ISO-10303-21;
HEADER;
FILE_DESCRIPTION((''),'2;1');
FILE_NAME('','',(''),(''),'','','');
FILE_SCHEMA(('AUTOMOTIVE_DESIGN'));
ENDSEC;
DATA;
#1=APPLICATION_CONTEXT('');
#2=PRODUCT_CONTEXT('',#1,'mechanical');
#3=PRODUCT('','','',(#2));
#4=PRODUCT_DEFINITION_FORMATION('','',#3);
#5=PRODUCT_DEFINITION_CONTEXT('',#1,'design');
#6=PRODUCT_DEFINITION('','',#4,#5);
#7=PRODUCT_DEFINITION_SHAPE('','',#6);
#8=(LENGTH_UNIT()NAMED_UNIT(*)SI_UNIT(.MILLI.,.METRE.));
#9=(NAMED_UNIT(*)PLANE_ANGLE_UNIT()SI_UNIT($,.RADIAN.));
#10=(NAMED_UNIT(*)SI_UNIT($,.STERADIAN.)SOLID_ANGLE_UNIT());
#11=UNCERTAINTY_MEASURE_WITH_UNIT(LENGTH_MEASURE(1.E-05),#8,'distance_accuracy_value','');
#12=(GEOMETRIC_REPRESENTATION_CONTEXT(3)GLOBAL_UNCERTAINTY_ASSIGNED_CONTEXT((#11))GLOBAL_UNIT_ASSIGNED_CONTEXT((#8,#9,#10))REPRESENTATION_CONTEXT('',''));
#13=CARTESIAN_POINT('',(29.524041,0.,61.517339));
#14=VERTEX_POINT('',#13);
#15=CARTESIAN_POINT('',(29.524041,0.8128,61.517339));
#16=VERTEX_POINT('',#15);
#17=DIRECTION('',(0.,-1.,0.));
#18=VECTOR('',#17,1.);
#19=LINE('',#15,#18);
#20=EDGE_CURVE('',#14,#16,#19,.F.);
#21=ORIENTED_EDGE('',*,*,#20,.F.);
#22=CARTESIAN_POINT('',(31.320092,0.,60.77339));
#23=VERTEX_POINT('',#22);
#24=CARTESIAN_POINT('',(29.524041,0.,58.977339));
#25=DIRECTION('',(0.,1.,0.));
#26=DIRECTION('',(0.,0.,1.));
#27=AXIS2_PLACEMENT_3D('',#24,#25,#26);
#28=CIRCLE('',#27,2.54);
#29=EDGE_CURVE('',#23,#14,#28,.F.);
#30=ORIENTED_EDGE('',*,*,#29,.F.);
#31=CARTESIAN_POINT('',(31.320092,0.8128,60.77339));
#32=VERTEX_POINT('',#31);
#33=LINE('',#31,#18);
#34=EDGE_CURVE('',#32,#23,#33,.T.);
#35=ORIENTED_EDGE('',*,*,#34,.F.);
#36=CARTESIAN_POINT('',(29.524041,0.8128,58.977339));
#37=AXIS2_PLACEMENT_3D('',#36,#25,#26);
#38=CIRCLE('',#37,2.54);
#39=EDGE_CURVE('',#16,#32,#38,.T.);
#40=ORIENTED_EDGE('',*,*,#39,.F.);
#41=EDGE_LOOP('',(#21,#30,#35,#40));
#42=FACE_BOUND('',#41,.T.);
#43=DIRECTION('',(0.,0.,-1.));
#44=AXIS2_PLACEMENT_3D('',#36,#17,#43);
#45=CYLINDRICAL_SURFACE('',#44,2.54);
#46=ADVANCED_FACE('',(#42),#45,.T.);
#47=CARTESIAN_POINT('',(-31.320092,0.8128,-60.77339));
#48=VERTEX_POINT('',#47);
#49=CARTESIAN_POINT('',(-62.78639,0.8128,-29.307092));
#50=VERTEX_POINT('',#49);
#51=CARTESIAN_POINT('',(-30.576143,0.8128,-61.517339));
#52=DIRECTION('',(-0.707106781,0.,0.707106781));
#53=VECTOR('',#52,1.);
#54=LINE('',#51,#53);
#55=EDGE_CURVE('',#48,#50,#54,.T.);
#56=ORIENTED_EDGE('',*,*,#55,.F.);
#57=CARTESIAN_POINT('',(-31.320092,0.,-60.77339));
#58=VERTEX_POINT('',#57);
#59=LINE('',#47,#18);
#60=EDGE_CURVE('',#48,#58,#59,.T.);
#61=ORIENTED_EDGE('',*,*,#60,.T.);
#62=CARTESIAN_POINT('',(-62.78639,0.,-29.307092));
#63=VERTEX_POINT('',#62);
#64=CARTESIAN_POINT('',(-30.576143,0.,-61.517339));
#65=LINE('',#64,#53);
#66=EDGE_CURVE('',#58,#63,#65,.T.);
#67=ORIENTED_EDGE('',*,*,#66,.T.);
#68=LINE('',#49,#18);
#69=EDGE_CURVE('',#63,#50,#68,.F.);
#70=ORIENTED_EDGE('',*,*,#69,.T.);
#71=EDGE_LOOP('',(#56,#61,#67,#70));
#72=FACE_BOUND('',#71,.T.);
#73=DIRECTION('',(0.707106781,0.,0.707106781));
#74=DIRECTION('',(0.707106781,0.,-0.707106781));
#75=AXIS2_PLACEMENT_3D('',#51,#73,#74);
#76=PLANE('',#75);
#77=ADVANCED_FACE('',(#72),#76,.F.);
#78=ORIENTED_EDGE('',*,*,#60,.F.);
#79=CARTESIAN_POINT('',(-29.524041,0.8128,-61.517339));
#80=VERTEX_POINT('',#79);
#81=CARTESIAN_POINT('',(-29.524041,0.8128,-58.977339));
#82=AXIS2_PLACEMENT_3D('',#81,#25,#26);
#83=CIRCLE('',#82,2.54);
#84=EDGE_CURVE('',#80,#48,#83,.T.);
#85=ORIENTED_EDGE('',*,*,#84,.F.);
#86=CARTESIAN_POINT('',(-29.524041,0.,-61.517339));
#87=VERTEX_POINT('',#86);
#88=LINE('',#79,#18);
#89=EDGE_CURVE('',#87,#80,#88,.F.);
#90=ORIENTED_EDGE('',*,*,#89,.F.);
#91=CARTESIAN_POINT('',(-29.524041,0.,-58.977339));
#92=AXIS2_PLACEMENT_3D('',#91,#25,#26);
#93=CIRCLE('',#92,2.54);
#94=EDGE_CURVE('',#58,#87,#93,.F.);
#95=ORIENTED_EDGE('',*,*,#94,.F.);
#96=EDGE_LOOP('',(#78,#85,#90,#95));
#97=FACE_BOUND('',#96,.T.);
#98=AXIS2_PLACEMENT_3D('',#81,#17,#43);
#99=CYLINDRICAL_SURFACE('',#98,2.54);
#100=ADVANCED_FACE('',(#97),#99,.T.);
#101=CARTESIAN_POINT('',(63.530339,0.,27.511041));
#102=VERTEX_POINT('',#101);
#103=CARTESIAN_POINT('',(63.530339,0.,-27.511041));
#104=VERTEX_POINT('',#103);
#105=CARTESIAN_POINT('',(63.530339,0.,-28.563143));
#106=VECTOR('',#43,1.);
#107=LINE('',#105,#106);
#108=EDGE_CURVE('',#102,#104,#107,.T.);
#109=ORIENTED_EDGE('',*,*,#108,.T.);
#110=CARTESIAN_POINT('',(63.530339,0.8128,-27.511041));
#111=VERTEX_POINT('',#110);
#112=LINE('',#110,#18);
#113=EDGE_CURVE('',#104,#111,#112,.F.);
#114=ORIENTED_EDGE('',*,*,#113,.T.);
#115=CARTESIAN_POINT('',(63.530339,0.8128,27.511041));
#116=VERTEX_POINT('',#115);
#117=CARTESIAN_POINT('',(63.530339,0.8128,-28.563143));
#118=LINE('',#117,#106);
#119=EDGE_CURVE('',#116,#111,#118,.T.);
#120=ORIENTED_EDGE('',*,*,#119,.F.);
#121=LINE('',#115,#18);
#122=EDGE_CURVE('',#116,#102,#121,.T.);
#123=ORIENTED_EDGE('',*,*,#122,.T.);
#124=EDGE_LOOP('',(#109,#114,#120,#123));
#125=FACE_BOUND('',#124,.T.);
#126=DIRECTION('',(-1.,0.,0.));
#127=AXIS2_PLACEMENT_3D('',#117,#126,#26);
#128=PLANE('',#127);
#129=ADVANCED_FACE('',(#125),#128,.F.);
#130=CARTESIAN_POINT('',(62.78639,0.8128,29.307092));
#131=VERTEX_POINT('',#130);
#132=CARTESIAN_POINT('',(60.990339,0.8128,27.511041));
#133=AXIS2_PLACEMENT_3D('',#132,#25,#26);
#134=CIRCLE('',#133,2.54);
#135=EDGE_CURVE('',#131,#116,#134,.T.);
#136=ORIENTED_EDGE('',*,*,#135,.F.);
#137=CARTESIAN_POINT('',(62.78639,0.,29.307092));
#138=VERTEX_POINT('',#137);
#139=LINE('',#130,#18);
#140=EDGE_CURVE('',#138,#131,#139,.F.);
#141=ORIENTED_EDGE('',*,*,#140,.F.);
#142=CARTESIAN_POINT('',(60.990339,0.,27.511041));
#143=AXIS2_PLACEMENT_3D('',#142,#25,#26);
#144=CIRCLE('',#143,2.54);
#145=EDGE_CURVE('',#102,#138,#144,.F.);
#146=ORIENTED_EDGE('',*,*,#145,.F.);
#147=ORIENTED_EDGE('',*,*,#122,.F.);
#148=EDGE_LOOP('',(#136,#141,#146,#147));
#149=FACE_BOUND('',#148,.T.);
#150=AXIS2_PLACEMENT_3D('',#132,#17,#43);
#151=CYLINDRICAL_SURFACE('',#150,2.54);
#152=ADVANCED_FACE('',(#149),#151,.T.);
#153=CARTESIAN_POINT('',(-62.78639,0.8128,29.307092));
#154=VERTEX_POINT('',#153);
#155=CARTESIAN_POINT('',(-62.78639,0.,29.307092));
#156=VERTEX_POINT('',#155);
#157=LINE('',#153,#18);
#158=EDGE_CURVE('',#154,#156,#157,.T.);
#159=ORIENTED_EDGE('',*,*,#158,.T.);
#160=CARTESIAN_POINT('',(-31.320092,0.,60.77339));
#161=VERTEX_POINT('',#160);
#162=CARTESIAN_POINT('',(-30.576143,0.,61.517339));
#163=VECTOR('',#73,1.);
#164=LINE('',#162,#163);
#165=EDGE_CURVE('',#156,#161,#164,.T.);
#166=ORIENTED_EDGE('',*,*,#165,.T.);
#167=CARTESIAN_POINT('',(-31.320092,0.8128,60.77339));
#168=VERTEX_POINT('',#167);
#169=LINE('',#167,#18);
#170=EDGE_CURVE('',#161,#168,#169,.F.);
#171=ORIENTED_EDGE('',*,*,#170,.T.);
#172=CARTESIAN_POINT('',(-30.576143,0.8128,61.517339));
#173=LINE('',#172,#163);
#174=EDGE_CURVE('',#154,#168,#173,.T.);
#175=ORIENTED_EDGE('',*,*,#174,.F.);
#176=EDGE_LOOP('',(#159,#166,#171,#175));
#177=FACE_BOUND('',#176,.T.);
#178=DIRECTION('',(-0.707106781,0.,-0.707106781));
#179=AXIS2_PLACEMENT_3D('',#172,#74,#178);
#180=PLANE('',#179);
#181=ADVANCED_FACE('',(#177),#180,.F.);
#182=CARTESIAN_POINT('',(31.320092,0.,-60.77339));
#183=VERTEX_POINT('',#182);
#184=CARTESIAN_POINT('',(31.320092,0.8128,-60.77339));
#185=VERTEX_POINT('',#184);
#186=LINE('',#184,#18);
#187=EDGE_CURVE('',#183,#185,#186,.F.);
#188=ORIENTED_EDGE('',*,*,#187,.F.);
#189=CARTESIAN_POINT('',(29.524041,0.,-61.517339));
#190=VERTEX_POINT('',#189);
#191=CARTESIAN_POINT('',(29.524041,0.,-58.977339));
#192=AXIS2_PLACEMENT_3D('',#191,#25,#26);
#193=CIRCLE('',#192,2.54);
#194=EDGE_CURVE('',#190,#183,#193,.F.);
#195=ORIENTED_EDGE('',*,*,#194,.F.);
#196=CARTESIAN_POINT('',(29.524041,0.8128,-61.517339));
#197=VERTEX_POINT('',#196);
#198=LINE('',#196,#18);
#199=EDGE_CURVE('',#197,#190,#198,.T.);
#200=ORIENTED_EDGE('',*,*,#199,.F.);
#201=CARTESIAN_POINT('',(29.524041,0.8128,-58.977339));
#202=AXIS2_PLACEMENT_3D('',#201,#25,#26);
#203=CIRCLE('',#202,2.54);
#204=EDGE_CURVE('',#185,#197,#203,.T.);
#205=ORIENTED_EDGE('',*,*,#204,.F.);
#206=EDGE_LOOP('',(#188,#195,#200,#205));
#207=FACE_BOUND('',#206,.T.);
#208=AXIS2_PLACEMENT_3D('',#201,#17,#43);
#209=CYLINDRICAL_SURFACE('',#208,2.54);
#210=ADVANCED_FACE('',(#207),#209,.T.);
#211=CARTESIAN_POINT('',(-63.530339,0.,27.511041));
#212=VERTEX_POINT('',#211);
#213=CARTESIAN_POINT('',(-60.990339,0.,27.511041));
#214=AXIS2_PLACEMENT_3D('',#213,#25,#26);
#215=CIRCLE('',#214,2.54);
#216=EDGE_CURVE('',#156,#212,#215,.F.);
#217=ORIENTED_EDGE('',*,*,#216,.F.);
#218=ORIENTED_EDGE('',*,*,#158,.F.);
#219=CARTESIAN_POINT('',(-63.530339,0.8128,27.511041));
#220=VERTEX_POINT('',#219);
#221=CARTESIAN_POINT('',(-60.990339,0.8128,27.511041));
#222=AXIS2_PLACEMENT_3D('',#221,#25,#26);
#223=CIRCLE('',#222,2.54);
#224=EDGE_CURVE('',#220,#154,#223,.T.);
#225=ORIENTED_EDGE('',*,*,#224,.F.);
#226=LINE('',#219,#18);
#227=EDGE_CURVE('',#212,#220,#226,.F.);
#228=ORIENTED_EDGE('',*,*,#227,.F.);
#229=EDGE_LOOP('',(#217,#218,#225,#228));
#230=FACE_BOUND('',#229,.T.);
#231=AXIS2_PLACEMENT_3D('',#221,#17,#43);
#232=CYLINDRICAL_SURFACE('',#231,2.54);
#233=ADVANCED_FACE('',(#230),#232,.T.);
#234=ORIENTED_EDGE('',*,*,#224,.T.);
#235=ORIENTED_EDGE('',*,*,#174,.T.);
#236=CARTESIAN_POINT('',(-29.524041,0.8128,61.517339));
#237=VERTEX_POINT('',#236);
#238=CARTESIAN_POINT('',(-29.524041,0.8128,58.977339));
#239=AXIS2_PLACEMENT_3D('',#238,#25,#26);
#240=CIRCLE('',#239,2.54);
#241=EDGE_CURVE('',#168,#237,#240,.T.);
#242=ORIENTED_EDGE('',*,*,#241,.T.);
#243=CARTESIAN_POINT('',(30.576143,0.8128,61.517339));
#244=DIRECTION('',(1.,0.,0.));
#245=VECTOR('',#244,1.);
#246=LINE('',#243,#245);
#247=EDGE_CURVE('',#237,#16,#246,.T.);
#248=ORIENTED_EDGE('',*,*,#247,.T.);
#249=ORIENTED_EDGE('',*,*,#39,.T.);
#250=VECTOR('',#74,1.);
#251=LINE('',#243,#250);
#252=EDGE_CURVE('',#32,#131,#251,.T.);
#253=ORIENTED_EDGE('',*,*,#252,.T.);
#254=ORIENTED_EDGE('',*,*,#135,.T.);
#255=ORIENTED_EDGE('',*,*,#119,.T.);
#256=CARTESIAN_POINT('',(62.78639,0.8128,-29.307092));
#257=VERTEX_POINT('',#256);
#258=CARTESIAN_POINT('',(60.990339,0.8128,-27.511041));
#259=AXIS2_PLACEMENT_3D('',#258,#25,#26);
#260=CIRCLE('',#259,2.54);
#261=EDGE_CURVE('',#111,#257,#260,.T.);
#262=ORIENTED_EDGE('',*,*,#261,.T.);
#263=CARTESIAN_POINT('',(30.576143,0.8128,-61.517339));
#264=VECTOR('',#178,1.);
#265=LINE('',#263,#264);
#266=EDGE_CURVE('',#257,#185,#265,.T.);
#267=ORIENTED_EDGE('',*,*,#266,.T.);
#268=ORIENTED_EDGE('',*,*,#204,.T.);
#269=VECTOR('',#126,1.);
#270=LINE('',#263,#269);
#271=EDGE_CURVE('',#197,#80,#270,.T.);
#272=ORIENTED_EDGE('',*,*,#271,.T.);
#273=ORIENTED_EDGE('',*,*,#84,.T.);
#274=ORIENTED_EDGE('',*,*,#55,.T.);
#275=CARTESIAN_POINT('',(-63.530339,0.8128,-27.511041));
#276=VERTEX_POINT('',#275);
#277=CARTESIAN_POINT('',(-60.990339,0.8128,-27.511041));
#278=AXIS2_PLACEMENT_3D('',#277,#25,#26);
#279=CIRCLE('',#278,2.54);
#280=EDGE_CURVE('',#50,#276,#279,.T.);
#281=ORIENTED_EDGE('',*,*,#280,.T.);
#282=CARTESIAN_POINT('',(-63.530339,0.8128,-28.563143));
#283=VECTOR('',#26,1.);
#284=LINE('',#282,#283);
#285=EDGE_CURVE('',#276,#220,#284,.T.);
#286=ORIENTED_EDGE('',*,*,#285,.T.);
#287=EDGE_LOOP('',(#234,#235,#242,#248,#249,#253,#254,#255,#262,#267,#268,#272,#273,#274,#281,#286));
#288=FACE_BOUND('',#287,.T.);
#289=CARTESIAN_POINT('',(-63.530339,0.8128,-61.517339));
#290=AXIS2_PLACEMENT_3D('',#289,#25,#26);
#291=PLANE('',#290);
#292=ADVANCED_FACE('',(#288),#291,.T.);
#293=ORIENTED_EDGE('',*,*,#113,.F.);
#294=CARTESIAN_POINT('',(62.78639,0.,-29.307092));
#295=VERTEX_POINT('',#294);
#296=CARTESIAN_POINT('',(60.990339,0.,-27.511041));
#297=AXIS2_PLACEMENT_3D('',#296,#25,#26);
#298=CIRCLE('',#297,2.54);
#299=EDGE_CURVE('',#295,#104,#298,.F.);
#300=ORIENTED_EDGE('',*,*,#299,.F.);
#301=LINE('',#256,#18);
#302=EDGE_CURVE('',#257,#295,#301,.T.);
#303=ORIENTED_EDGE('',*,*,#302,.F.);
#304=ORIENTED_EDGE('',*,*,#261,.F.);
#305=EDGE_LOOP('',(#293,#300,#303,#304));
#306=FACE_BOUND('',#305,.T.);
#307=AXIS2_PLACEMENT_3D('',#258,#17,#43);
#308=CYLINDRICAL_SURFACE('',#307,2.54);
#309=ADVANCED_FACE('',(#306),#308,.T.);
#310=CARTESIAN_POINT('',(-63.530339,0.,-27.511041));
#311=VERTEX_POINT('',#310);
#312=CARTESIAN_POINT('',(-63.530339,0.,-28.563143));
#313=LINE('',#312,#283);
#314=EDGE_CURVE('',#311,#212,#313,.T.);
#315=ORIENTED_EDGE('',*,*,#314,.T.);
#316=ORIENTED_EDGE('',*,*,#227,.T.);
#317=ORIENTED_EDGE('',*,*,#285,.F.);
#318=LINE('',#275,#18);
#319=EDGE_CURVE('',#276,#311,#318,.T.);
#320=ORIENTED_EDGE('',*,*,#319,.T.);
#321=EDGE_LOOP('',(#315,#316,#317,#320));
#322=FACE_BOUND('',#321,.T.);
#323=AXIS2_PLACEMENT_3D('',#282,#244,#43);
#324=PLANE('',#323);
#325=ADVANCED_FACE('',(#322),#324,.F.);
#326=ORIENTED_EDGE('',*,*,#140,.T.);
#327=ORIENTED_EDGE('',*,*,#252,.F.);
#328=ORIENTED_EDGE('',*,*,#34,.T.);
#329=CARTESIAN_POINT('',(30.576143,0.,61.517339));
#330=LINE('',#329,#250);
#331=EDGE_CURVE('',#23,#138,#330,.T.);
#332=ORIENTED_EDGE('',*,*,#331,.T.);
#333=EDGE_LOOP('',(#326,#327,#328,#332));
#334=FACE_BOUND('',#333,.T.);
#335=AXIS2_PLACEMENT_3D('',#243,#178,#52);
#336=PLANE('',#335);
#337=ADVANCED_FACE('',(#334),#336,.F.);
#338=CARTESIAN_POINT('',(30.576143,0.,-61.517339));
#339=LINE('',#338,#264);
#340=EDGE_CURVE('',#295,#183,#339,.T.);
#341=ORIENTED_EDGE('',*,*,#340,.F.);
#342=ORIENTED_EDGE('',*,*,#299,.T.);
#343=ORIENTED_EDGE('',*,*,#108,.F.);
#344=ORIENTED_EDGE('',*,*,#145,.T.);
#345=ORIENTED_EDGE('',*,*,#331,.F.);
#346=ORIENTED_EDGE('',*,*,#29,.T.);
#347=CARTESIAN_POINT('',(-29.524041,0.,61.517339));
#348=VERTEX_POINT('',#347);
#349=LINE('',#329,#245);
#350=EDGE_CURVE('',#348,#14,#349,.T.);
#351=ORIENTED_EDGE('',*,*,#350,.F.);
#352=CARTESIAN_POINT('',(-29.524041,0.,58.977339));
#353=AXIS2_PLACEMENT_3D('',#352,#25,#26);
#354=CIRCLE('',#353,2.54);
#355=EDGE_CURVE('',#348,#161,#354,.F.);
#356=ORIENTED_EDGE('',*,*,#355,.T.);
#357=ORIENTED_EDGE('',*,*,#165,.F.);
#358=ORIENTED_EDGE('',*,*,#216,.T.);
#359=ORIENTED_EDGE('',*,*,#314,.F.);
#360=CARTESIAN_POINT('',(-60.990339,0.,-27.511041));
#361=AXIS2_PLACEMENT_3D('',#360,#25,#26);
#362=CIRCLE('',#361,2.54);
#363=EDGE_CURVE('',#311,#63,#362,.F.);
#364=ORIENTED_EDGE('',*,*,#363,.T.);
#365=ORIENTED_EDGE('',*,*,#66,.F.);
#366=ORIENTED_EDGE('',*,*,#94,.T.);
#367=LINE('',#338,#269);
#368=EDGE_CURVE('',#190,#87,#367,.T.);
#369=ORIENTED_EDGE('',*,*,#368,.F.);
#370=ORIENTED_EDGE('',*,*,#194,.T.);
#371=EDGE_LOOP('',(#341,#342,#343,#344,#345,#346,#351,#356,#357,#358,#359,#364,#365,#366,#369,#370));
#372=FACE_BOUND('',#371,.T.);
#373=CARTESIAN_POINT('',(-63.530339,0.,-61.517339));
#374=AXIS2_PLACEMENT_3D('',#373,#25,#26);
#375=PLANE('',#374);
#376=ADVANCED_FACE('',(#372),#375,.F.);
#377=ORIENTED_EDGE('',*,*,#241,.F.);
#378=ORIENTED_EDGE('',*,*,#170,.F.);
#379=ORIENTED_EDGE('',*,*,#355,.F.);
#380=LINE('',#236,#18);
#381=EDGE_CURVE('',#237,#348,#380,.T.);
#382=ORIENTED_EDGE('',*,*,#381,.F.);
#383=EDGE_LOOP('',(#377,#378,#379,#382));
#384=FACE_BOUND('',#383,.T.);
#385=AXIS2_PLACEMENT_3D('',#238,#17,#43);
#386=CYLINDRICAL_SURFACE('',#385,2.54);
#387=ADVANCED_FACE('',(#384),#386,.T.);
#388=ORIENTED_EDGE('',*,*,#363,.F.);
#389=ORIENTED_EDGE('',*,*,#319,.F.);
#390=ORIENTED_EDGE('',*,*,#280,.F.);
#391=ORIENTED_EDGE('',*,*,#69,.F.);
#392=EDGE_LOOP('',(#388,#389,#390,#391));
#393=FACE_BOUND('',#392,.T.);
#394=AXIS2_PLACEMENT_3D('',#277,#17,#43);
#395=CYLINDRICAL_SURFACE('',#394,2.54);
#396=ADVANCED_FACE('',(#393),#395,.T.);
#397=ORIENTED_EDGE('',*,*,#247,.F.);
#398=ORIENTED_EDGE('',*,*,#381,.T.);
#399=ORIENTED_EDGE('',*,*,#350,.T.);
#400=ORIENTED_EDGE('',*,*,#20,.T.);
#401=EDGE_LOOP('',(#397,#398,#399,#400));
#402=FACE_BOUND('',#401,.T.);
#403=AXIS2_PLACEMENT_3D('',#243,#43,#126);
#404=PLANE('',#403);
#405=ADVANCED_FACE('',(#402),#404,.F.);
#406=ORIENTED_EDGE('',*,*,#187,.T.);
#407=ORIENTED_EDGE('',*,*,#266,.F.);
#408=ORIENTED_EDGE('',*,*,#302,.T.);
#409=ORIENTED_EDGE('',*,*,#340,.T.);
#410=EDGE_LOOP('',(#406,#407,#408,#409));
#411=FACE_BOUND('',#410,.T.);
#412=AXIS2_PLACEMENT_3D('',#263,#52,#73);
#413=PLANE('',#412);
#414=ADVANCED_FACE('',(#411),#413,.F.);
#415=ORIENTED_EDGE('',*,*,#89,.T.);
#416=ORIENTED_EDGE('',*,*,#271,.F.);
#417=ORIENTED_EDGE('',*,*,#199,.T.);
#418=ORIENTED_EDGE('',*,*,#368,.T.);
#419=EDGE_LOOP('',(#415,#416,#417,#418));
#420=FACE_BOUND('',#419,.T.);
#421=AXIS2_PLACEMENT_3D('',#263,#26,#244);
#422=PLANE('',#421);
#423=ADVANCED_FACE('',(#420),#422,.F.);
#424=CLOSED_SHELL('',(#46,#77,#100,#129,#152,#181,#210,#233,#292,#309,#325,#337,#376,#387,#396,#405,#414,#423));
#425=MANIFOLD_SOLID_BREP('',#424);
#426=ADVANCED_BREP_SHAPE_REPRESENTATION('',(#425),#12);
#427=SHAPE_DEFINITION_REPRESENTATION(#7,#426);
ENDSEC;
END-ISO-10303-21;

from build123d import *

# Parameters (mm, degrees)
EXTRUDE1_DEPTH = 0.8128
FILLET1_R      = 2.54


with BuildPart() as part:
    # Sketch1 → Extrude1 (new body)
    with BuildSketch(Plane(origin=(0, 0, 0), x_dir=(1, 0, 0), z_dir=(0, 1, 0))):
        Polygon((-30.576142977, 61.517339059), (-63.530339059, 28.563142977), (-63.530339059, -28.563142977), (-30.576142977, -61.517339059), (30.576142977, -61.517339059), (63.530339059, -28.563142977), (63.530339059, 28.563142977), (30.576142977, 61.517339059), align=None)
    extrude(amount=EXTRUDE1_DEPTH)

    # Fillet1
    fillet1_edges = [part.edges().sort_by_distance(p)[0] for p in [
        (30.576142977, 0.4064, -61.517339059),
        (63.530339059, 0.4064, -28.563142977),
        (63.530339059, 0.4064, 28.563142977),
        (30.576142977, 0.4064, 61.517339059),
        (-30.576142977, 0.4064, 61.517339059),
        (-63.530339059, 0.4064, 28.563142977),
        (-63.530339059, 0.4064, -28.563142977),
        (-30.576142977, 0.4064, -61.517339059),
    ]]
    fillet(fillet1_edges, radius=FILLET1_R)


solid = part.part
